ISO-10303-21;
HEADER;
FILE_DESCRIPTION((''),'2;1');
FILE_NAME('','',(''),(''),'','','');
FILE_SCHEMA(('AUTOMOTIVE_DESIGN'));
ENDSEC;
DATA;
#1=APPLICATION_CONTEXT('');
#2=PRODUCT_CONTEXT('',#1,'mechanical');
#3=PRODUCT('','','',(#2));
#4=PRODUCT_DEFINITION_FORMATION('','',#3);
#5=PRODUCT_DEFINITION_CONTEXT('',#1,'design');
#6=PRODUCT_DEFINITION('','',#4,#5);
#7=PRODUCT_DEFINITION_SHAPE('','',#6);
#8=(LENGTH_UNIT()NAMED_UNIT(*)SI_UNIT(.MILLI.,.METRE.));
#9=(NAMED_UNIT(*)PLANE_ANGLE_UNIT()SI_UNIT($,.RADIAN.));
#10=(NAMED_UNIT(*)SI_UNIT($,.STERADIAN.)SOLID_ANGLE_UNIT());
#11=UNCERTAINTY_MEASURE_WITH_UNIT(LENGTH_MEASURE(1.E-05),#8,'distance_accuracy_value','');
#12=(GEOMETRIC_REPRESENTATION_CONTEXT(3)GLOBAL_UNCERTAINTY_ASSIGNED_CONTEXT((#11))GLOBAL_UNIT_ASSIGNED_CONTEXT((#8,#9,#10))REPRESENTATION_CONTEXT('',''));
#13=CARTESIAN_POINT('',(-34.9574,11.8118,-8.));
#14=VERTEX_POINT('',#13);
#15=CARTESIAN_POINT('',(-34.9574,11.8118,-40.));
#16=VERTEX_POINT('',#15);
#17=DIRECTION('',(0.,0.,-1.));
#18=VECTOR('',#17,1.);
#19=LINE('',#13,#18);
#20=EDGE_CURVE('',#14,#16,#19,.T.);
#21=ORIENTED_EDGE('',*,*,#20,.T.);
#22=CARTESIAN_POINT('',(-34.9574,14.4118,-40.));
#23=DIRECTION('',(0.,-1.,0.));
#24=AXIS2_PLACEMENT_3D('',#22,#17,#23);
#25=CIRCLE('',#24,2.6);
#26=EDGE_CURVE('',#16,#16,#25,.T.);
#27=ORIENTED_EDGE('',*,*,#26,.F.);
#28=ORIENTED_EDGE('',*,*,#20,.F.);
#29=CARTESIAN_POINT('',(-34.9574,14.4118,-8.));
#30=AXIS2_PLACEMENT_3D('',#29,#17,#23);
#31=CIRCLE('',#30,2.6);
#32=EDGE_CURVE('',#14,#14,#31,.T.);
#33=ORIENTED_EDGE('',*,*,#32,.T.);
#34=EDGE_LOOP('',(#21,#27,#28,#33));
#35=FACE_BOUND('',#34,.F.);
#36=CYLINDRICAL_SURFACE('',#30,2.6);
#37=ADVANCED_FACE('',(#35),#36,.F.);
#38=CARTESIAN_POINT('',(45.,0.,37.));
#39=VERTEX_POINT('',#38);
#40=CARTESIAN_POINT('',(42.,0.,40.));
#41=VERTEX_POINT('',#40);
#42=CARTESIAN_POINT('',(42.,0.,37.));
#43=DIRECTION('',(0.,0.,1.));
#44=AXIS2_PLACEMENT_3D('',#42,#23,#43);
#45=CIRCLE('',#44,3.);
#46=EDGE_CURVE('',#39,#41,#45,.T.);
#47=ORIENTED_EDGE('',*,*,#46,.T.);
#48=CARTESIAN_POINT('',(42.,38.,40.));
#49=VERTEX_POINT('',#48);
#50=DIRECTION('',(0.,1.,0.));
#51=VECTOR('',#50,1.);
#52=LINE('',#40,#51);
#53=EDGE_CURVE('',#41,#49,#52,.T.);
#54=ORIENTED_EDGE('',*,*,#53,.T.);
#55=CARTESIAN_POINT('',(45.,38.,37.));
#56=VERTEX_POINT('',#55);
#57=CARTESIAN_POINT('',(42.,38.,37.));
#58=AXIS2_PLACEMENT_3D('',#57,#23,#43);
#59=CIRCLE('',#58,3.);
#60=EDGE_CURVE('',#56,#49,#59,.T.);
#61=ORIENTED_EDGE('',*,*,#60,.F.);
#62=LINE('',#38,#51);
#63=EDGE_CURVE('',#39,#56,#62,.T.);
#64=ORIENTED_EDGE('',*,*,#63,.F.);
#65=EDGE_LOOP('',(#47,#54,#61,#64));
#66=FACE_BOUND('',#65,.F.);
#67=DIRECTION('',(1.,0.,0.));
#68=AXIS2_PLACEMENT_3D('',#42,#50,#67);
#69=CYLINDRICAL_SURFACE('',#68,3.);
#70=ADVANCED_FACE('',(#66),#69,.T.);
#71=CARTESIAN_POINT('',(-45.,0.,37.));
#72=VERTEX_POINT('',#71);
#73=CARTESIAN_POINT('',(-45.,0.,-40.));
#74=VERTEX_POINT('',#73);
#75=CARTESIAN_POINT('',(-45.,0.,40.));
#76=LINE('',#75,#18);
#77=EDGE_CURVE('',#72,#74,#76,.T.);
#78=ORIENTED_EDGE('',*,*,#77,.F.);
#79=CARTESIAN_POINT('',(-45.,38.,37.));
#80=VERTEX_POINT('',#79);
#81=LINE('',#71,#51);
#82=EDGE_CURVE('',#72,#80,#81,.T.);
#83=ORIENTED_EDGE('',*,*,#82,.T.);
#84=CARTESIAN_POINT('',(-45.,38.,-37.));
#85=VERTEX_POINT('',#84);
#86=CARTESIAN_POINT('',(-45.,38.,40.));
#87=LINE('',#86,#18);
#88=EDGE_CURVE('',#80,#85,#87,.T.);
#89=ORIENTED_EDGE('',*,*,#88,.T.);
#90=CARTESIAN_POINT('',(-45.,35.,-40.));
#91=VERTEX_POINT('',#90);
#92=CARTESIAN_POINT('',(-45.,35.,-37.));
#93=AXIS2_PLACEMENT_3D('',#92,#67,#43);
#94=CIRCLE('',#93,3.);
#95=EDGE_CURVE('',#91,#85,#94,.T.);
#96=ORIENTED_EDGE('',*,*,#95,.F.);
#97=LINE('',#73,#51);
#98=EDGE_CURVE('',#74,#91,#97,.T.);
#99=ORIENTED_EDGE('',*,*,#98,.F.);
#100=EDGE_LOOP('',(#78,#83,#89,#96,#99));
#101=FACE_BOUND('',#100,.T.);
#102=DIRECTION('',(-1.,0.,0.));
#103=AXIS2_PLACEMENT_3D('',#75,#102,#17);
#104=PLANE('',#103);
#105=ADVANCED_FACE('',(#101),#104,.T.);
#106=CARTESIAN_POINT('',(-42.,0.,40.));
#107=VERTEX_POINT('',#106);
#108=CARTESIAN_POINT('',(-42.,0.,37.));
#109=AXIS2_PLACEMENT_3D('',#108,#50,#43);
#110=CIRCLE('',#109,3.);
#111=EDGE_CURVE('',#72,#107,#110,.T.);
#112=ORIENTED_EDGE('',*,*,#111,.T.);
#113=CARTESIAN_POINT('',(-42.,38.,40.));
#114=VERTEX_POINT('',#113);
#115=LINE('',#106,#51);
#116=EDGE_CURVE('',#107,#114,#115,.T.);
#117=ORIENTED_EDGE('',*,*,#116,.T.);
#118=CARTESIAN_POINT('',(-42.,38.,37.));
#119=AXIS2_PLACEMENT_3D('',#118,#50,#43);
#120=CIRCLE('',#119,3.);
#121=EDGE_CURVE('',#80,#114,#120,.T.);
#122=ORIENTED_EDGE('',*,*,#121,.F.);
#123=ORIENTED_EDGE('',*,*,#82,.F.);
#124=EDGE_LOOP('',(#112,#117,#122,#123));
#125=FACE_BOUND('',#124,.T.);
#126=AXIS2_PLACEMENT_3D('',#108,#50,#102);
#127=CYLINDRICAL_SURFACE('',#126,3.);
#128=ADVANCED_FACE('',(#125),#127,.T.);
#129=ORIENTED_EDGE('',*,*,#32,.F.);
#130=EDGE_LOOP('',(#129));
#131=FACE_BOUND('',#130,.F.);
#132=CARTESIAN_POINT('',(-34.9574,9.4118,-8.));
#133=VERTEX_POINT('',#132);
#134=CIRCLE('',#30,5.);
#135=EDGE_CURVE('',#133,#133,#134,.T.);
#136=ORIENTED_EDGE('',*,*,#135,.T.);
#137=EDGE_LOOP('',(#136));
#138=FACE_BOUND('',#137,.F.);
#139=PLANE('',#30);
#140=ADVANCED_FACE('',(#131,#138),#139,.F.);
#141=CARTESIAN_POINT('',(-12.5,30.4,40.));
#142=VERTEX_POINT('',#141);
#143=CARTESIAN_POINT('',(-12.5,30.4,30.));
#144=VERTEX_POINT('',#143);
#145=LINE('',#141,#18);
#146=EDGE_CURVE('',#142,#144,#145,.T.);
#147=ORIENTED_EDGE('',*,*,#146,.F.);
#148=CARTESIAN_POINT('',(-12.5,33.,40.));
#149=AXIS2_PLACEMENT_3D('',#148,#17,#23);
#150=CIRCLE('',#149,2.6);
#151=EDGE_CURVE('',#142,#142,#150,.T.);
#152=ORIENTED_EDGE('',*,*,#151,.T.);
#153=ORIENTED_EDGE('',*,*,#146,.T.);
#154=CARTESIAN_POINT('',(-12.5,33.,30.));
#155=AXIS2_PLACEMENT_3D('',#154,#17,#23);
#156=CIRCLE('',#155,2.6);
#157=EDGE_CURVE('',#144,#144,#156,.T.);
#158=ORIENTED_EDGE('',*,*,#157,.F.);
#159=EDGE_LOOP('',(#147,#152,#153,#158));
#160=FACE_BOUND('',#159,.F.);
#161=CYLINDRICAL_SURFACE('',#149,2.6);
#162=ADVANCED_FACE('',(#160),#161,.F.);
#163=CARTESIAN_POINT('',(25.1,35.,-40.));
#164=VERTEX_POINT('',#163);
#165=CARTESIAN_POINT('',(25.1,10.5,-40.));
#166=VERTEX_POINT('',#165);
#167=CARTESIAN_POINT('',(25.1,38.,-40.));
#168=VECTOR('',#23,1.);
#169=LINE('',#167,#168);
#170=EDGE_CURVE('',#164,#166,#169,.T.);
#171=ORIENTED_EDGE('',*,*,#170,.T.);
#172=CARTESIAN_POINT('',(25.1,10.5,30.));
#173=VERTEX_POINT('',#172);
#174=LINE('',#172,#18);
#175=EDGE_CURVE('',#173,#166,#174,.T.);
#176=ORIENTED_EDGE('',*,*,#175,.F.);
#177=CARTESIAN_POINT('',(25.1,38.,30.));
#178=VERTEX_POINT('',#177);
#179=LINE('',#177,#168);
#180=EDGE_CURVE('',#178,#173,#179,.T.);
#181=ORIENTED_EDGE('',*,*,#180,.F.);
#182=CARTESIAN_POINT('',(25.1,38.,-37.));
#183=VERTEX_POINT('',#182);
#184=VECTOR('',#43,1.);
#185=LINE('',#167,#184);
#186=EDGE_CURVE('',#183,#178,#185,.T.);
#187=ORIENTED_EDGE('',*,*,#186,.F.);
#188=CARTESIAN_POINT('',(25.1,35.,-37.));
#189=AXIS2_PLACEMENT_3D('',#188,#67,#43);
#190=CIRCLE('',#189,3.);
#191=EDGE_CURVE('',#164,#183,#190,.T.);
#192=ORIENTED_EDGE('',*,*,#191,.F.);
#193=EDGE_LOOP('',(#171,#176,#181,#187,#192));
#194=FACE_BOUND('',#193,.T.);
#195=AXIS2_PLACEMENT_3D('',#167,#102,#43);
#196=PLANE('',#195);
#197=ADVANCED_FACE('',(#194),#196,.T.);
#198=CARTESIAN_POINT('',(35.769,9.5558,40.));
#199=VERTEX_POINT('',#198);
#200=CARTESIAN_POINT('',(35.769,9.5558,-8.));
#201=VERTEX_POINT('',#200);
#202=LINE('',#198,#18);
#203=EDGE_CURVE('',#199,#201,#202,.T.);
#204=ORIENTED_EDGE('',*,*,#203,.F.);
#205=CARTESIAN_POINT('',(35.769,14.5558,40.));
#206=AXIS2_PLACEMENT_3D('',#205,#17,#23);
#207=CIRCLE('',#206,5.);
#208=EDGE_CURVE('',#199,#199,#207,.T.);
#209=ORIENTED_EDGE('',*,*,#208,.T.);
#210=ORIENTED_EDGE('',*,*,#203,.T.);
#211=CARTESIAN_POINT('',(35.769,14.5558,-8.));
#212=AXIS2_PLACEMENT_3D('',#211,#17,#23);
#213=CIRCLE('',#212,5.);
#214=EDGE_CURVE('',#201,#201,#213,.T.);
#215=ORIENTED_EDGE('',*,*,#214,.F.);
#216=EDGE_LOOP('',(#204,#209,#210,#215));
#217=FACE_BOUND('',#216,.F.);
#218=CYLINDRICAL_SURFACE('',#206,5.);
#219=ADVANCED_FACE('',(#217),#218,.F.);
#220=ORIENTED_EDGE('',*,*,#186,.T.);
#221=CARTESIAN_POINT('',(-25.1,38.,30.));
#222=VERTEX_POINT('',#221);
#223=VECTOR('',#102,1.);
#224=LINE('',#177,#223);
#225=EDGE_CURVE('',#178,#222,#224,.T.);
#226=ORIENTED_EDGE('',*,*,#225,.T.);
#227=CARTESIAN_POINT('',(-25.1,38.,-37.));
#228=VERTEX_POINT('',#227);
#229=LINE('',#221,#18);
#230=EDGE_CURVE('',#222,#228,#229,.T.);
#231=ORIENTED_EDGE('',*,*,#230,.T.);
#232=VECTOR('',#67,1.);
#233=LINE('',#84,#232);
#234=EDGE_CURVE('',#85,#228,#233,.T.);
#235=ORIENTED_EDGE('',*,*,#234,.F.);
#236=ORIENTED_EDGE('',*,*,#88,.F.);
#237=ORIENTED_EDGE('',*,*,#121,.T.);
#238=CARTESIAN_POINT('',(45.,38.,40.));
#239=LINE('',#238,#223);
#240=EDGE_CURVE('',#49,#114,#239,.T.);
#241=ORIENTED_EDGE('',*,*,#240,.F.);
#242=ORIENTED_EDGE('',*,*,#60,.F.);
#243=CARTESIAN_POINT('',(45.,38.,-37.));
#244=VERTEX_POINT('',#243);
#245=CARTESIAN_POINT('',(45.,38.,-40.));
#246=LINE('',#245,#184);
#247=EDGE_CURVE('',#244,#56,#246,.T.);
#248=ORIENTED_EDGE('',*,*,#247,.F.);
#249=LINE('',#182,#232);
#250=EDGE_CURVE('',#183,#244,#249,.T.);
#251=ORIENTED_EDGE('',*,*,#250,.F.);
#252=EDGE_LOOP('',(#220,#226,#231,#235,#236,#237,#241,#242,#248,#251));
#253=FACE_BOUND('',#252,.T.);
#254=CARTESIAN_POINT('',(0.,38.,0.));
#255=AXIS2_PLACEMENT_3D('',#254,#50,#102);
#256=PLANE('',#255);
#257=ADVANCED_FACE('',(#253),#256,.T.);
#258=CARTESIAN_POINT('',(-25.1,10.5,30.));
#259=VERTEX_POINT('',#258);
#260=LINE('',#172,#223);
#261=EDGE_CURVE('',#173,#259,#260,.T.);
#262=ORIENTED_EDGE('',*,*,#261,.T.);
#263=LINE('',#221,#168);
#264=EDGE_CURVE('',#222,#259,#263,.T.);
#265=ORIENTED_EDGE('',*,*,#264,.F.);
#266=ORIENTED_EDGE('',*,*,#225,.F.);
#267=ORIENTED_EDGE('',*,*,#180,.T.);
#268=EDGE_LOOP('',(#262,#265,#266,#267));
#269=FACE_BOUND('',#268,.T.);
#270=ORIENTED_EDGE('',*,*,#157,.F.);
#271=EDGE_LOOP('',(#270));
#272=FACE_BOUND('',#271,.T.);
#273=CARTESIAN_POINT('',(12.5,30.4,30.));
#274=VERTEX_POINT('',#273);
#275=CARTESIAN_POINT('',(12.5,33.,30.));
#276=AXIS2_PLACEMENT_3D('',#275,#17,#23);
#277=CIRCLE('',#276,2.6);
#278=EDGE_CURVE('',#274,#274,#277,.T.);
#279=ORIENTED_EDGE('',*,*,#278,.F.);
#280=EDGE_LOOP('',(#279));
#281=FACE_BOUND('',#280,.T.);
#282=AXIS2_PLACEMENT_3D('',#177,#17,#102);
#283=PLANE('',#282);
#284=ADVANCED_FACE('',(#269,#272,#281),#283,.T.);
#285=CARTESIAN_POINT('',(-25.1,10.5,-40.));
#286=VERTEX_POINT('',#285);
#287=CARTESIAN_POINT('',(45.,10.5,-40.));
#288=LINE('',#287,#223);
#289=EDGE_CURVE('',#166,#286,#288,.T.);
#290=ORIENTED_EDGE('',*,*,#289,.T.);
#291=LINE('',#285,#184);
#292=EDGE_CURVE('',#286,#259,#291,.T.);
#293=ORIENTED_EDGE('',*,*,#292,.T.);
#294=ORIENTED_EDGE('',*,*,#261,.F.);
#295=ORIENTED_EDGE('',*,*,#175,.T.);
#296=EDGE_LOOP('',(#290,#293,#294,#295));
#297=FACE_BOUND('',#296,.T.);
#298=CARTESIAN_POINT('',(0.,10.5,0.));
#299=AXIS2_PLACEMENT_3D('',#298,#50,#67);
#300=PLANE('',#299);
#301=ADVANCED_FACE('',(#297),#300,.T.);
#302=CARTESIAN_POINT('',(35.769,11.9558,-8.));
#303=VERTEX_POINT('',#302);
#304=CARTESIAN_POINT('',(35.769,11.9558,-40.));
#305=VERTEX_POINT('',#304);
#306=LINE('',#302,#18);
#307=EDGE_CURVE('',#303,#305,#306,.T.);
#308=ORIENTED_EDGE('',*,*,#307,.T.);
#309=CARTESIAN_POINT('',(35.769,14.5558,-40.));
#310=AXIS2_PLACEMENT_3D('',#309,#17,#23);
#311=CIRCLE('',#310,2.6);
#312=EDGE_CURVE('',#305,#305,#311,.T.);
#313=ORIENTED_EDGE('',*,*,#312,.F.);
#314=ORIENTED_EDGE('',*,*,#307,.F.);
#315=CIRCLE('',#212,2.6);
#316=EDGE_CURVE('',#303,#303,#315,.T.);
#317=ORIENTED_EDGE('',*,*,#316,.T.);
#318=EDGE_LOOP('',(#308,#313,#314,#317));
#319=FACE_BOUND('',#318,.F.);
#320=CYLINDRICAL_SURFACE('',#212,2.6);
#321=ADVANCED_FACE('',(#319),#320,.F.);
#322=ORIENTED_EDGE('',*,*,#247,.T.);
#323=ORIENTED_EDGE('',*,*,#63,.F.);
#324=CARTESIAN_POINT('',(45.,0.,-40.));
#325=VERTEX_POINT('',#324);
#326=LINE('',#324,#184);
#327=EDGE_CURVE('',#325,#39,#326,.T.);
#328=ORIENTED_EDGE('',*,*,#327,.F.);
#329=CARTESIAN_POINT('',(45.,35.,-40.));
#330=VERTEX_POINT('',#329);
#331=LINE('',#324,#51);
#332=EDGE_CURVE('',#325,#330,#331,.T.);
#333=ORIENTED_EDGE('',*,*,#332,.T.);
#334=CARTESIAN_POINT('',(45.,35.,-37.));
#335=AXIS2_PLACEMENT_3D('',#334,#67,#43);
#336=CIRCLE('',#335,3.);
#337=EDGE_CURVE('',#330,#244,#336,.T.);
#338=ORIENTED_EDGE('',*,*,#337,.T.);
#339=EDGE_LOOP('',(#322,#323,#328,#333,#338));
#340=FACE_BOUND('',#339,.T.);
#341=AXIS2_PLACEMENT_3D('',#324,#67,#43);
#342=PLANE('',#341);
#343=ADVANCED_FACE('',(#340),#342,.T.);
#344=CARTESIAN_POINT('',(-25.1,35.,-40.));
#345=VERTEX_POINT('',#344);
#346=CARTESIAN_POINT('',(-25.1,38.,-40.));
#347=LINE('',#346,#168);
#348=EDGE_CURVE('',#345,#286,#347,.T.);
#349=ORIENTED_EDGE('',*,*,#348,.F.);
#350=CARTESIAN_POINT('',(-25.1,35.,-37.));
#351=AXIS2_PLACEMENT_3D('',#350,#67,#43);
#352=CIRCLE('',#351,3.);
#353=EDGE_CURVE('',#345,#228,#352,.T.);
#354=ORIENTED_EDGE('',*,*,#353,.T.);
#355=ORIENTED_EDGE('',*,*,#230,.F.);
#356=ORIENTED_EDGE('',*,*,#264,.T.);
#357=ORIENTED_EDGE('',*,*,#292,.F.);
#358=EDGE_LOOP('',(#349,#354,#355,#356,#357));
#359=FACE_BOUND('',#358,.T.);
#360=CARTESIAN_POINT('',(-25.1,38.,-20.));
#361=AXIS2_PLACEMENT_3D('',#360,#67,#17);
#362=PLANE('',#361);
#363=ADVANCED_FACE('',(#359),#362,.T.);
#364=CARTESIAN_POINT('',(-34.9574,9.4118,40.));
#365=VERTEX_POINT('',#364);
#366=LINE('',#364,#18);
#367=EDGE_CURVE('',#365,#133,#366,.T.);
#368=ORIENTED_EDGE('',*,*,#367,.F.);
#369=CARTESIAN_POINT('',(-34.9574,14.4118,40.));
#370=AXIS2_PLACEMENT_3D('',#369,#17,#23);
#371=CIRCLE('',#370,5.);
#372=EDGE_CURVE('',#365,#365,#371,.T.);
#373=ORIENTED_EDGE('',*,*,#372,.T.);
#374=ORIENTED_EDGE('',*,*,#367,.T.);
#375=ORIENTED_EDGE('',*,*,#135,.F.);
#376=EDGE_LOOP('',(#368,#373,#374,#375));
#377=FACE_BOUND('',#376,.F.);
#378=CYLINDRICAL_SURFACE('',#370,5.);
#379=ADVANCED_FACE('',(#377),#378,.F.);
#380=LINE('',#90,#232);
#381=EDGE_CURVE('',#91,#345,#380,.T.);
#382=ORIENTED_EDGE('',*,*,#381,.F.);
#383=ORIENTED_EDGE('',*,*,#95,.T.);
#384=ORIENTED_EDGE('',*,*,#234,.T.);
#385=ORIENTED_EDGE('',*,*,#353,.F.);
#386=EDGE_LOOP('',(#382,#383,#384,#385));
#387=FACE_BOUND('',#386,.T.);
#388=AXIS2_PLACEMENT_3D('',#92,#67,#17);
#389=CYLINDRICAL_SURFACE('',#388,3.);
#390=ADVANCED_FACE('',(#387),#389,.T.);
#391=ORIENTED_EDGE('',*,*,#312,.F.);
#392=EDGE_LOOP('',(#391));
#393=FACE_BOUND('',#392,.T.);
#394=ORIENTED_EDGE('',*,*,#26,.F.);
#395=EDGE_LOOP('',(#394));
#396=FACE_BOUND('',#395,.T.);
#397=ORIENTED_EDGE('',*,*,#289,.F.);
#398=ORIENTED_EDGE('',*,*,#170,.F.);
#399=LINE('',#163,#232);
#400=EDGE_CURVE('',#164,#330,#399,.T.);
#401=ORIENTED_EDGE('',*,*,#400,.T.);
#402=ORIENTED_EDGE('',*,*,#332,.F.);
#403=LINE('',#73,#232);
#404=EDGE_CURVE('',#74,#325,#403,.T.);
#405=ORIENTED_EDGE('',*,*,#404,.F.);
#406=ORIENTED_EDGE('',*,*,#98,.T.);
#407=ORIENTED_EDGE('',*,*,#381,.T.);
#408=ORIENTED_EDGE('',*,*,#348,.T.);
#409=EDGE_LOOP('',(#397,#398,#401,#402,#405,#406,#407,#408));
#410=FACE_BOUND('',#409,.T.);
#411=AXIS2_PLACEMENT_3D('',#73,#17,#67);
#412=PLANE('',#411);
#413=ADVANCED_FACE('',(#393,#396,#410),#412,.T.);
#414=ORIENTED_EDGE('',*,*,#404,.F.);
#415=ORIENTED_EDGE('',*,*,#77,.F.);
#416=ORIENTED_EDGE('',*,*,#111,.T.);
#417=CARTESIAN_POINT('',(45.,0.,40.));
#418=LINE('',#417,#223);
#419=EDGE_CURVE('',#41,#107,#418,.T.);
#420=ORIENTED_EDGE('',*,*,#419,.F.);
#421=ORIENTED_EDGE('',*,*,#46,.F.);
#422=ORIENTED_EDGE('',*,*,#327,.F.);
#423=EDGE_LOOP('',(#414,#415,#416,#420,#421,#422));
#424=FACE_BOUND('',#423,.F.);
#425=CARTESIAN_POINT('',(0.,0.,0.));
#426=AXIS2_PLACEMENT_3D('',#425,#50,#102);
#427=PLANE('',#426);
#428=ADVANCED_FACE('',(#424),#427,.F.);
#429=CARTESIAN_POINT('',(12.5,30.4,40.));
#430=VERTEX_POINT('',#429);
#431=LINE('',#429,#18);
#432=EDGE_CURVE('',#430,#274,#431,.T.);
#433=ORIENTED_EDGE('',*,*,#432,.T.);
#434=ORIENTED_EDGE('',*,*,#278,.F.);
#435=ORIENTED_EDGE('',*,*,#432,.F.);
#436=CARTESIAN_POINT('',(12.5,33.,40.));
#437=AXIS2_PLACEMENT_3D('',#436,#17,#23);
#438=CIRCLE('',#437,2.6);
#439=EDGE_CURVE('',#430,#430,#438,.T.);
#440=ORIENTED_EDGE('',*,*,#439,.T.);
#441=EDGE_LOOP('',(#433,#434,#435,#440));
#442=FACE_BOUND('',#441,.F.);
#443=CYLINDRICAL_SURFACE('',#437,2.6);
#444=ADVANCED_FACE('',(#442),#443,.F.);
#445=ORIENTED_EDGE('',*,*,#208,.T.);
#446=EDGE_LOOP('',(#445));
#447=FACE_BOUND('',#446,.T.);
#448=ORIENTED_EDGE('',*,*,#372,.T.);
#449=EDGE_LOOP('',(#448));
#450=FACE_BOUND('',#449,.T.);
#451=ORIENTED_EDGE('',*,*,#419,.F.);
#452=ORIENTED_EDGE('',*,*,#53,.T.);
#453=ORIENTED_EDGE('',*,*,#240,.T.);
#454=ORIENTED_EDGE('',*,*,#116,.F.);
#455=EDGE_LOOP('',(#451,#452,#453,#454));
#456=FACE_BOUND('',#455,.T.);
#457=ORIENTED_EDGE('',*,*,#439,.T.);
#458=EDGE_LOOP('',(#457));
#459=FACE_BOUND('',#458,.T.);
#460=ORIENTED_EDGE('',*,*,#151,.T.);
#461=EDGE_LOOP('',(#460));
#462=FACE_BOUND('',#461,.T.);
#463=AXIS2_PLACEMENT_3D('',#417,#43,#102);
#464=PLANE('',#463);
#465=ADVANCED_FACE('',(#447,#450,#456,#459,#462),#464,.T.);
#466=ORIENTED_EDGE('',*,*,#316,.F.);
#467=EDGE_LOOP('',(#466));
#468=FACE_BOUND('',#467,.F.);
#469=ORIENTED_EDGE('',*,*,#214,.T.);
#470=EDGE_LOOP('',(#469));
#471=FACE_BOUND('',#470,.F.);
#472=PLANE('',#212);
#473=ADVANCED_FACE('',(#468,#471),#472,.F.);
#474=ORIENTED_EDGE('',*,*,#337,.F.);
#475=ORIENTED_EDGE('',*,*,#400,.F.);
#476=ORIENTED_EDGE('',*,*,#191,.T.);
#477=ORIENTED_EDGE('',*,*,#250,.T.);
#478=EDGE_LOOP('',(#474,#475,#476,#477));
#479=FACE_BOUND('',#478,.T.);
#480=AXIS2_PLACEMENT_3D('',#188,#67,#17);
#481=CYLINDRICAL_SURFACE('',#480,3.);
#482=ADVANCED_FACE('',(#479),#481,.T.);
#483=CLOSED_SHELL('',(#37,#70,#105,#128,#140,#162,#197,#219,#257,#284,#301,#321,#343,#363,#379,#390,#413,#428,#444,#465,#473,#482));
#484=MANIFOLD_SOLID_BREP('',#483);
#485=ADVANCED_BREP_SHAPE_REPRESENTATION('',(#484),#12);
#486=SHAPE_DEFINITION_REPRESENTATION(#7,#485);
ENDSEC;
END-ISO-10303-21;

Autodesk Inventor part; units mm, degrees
ref_plane "YZ Plane" through (0, 0, 0) normal (1, 0, 0) x (0, 1, 0)
ref_plane "XZ Plane" through (0, 0, 0) normal (0, 1, 0) x (-1, 0, 0)
ref_plane "XY Plane" through (0, 0, 0) normal (0, 0, 1) x (1, 0, 0)
sketch "Sketch1" plane through (0, 0, 0) normal (0, 1, 0) x (-1, 0, 0)
  line L0 (45, -40) -> (-45, -40)
  line L1 (-45, -40) -> (-45, 40)
  line L2 (-45, 40) -> (45, 40)
  line L3 (45, 40) -> (45, -40)
  line L4 (45, -40) -> (-45, 40) construction
  line L5 (-45, -40) -> (45, 40) construction
  point P0 (0, 0)
  dimension "d0" = 90
  dimension "d1" = 80
extrude "Extrusion1" add sketch "Sketch1" along normal blind 38
sketch "Sketch2" plane through (0, 38, 0) normal (0, 1, 0) x (1, 0, 0)
  line L0 (-45, -40) -> (45, -40) projected
  line L1 (45, -40) -> (45, 40) projected
  line L2 (45, 40) -> (-45, 40) projected
  line L3 (-45, 40) -> (-45, -40) projected
  line L4 (-25.1, 40) -> (25.1, 40)
  line L5 (25.1, 40) -> (25.1, 20)
  line L6 (25.1, 20) -> (-25.1, 20)
  line L7 (-25.1, 20) -> (-25.1, 40)
  line L8 (-25.1, 20) -> (25.1, 20)
  line L9 (25.1, 20) -> (25.1, -30)
  line L10 (25.1, -30) -> (-25.1, -30)
  line L11 (-25.1, -30) -> (-25.1, 20)
  point P0 (0, 0)
  point P1 (0, 40)
  dimension "d4" = 50.2
  dimension "d5" = 20
  dimension "d24" = 50
extrude "Extrusion2" cut sketch "Sketch2" against normal blind 27.5 contours L2 L5 L6 L7 | L6 L9 L10 L11
sketch "Sketch3" plane through (-45, 0, 40) normal (0, 0, 1) x (1, 0, 0)
  circle A0 centre (32.5, 33) radius 2.067 construction
  circle A1 centre (57.5, 33) radius 2.067 construction
  line L0 (0, 0) -> (90, 0) construction
  line L1 (90, 0) -> (90, 38) construction
  line L2 (0, 38) -> (90, 38) construction
  line L3 (0, 0) -> (0, 38) construction
  line L4 (0, 15) -> (90, 15) construction
  line L5 (45, 0) -> (45, 38) construction
  point P0 (10, 15)
  point P1 (80, 15)
  dimension "d8" = 15
  dimension "d9" = 10
hole "Hole1" at (-12.5, 33, 40) at (12.5, 33, 40) direction (0, 0, -1) diameter 5.2 end through all
sketch "Sketch4" plane through (-45, 0, 40) normal (0, 0, 1) x (1, 0, 0)
  point P0 (45, 0)
  point P1 (10.0426, 14.4118)
  point P2 (80.769, 14.5558)
hole "Hole2" at (-34.9574, 14.4118, 40) at (35.769, 14.5558, 40) direction (0, 0, -1) diameter 5.2 end through all counterbore diameter 10 counterbore depth 48
fillet "Fillet1" radius 3 4 edges at (-45, 19, 40) (45, 19, 40) (35.05, 38, -40) (-35.05, 38, -40)
properties part number "T-Frame_encoder_frame" material "ABS Plastic"
